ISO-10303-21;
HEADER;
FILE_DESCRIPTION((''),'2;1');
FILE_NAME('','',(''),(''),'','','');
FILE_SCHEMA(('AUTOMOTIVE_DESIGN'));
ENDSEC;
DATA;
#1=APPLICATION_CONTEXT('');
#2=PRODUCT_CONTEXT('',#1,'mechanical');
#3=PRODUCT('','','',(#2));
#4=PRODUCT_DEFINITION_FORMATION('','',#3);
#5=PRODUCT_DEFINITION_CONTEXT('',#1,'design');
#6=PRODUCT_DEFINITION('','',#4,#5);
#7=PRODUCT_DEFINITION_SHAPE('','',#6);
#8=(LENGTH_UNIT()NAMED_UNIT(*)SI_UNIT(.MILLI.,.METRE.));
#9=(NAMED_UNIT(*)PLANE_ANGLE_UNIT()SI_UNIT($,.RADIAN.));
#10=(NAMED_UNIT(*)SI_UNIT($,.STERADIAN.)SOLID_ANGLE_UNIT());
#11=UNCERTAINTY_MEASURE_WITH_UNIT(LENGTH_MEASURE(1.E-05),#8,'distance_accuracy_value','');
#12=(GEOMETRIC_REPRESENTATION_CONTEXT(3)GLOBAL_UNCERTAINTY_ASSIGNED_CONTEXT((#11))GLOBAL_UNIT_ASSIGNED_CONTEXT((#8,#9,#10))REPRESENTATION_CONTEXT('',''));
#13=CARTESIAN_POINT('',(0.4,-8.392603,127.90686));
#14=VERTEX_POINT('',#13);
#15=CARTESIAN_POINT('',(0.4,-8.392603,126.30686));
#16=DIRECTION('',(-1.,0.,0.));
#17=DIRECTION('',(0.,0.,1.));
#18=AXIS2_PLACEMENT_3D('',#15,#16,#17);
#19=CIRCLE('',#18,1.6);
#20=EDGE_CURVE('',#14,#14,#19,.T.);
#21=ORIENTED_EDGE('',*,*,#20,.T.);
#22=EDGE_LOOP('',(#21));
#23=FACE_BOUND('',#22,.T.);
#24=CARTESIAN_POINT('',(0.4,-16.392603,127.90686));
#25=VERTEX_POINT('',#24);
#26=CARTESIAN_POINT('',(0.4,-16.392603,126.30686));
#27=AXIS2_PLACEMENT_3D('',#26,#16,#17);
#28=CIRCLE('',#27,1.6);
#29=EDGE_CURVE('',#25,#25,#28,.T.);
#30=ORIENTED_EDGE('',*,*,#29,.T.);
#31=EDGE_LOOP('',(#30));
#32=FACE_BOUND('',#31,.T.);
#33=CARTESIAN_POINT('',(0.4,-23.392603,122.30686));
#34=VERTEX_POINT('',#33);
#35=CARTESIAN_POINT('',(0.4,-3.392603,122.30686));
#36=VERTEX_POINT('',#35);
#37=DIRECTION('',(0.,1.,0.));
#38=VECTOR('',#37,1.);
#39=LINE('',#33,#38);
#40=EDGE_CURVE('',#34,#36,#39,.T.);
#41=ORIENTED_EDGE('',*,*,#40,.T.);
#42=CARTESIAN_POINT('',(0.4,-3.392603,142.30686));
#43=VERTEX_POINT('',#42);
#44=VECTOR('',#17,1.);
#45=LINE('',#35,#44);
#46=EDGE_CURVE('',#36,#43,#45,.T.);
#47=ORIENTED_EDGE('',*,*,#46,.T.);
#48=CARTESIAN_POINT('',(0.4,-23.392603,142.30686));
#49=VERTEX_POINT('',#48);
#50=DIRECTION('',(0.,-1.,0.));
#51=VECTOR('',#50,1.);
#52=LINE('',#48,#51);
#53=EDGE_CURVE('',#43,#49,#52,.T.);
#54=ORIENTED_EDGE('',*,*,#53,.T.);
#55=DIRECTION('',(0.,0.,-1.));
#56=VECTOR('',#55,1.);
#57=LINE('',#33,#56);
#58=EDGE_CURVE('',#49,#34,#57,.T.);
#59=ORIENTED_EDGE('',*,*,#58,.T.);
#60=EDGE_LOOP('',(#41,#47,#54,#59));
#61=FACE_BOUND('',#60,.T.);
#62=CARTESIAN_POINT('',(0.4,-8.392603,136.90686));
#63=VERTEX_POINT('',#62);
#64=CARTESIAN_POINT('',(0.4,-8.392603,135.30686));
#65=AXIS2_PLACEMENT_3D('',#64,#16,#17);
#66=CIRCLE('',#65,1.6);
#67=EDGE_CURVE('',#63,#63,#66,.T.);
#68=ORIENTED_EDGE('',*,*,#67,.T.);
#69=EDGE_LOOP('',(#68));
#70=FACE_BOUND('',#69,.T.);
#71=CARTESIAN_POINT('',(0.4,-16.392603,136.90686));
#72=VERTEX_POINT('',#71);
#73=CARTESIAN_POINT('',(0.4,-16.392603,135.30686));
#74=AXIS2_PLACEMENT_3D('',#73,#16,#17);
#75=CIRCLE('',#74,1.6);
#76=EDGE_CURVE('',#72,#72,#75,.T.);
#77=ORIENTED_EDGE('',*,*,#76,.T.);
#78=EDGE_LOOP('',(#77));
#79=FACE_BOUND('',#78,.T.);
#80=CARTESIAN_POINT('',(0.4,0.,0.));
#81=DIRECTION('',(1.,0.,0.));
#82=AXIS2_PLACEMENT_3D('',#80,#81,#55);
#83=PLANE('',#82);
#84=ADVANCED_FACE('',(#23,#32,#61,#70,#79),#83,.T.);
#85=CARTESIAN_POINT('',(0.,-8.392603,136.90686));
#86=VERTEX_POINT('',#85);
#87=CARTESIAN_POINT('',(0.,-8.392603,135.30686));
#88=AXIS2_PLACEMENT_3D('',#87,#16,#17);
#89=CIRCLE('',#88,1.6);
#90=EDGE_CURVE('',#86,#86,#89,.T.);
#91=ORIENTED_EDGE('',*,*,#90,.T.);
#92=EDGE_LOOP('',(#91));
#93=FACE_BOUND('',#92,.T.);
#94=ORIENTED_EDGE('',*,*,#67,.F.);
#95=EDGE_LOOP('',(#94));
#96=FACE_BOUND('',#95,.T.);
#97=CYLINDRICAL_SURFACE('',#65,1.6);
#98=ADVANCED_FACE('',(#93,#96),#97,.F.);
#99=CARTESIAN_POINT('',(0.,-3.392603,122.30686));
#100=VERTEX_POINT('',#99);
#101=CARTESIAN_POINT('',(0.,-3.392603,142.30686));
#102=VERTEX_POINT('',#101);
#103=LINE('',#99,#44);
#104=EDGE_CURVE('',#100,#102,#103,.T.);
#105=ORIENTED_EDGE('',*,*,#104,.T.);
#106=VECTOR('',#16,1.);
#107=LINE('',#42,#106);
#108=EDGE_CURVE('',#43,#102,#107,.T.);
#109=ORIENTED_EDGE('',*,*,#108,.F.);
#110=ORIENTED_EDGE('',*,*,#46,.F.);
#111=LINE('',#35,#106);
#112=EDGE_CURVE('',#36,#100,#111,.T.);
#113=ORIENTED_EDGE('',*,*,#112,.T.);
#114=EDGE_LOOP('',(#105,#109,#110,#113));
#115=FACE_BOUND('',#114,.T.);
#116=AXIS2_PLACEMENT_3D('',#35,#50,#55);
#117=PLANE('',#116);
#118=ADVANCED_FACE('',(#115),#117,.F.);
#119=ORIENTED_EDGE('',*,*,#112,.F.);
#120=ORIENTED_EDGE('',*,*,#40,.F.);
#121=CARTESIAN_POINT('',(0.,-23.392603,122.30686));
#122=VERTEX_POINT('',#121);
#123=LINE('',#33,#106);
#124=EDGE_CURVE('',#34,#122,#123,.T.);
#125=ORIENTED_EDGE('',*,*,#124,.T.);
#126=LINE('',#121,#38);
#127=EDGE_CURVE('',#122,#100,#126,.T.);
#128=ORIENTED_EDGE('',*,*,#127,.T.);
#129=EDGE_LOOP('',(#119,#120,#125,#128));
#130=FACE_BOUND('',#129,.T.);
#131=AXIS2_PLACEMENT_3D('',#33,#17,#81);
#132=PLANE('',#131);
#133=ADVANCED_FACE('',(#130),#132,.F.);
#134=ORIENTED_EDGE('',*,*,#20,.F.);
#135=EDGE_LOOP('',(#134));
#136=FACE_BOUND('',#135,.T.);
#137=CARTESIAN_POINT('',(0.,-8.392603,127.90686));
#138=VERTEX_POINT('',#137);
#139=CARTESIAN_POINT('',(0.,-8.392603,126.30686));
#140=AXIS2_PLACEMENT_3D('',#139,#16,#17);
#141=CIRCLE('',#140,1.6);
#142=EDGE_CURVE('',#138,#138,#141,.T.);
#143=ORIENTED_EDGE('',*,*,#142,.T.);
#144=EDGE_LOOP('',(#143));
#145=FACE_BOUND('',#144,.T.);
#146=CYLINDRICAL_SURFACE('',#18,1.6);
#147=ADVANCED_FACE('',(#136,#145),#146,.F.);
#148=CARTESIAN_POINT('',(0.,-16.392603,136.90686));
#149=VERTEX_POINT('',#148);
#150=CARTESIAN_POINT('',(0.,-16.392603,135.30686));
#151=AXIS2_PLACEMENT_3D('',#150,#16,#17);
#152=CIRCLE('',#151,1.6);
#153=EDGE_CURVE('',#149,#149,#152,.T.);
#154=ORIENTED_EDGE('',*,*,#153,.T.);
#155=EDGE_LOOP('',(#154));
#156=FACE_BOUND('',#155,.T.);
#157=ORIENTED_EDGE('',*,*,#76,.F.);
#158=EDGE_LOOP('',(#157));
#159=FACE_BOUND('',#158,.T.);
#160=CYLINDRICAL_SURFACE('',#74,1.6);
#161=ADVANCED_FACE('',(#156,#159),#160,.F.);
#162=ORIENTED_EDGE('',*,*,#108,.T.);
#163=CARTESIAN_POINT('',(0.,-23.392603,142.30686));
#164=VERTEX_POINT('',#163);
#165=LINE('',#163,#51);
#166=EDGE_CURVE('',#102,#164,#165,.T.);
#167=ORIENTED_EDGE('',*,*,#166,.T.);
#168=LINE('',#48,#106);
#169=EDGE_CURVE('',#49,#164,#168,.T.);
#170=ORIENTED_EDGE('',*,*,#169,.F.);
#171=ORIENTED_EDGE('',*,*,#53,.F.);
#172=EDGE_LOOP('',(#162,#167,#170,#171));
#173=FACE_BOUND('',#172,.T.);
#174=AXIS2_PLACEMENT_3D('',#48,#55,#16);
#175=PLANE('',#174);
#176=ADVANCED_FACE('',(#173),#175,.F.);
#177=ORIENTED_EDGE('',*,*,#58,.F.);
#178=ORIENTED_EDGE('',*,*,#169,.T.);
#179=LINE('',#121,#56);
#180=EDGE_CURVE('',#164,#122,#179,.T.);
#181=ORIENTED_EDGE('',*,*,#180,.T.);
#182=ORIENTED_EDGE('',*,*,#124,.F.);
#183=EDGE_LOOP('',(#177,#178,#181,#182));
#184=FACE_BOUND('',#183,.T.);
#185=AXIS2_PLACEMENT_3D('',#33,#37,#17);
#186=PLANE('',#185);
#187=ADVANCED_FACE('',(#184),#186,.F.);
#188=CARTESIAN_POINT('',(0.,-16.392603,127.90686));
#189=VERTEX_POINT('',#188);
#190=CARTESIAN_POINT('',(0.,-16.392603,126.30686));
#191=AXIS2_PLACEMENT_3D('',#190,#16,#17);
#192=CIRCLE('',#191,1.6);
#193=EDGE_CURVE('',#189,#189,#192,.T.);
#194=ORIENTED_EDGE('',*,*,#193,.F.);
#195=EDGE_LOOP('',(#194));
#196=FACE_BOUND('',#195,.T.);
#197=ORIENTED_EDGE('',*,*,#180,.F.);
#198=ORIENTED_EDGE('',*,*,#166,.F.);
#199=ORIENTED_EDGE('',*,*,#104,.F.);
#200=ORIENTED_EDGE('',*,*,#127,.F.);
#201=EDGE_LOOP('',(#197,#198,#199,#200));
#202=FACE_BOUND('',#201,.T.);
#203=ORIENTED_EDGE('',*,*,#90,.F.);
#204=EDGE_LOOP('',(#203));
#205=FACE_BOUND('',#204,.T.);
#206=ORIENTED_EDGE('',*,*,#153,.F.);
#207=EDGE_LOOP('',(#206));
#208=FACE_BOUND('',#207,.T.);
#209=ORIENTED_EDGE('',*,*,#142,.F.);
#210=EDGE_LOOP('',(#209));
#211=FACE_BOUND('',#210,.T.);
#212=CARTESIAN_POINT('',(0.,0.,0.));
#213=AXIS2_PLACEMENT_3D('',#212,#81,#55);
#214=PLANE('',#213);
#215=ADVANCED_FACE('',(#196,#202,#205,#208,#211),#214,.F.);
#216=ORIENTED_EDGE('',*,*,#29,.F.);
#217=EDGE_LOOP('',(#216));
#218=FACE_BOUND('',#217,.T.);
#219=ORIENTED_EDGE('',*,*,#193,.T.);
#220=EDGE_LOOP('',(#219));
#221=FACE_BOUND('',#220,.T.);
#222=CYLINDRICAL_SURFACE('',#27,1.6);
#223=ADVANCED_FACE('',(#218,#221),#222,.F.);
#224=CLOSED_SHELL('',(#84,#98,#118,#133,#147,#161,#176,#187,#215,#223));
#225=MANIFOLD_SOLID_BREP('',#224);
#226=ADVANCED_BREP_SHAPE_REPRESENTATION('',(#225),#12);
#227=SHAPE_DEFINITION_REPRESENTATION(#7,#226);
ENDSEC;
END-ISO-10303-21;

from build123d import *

# Parameters (mm, degrees)
SKETCH1_W           = 20
SKETCH1_H           = 20
BOSS_EXTRUDE1_DEPTH = 0.4
SKETCH2_R           = 1.6
CUT_EXTRUDE1_DEPTH  = 0.4


with BuildPart() as part:
    # Sketch1 → Boss-Extrude1 (new body)
    with BuildSketch(Plane(origin=(0, 0, 0), x_dir=(0, 0, -1), z_dir=(1, 0, 0))):
        with Locations((-132.306860457, -13.392602836)):
            Rectangle(SKETCH1_W, SKETCH1_H)
    extrude(amount=BOSS_EXTRUDE1_DEPTH)

    # Sketch2 → Cut-Extrude1 (cut)
    with BuildSketch(Plane.ZY):
        with Locations((126.306860457, -8.392602836)):
            Circle(SKETCH2_R)
        with Locations((126.306860457, -16.392602836)):
            Circle(SKETCH2_R)
        with Locations((135.306860457, -8.392602836)):
            Circle(SKETCH2_R)
        with Locations((135.306860457, -16.392602836)):
            Circle(SKETCH2_R)
    extrude(amount=-CUT_EXTRUDE1_DEPTH, mode=Mode.SUBTRACT)


solid = part.part
